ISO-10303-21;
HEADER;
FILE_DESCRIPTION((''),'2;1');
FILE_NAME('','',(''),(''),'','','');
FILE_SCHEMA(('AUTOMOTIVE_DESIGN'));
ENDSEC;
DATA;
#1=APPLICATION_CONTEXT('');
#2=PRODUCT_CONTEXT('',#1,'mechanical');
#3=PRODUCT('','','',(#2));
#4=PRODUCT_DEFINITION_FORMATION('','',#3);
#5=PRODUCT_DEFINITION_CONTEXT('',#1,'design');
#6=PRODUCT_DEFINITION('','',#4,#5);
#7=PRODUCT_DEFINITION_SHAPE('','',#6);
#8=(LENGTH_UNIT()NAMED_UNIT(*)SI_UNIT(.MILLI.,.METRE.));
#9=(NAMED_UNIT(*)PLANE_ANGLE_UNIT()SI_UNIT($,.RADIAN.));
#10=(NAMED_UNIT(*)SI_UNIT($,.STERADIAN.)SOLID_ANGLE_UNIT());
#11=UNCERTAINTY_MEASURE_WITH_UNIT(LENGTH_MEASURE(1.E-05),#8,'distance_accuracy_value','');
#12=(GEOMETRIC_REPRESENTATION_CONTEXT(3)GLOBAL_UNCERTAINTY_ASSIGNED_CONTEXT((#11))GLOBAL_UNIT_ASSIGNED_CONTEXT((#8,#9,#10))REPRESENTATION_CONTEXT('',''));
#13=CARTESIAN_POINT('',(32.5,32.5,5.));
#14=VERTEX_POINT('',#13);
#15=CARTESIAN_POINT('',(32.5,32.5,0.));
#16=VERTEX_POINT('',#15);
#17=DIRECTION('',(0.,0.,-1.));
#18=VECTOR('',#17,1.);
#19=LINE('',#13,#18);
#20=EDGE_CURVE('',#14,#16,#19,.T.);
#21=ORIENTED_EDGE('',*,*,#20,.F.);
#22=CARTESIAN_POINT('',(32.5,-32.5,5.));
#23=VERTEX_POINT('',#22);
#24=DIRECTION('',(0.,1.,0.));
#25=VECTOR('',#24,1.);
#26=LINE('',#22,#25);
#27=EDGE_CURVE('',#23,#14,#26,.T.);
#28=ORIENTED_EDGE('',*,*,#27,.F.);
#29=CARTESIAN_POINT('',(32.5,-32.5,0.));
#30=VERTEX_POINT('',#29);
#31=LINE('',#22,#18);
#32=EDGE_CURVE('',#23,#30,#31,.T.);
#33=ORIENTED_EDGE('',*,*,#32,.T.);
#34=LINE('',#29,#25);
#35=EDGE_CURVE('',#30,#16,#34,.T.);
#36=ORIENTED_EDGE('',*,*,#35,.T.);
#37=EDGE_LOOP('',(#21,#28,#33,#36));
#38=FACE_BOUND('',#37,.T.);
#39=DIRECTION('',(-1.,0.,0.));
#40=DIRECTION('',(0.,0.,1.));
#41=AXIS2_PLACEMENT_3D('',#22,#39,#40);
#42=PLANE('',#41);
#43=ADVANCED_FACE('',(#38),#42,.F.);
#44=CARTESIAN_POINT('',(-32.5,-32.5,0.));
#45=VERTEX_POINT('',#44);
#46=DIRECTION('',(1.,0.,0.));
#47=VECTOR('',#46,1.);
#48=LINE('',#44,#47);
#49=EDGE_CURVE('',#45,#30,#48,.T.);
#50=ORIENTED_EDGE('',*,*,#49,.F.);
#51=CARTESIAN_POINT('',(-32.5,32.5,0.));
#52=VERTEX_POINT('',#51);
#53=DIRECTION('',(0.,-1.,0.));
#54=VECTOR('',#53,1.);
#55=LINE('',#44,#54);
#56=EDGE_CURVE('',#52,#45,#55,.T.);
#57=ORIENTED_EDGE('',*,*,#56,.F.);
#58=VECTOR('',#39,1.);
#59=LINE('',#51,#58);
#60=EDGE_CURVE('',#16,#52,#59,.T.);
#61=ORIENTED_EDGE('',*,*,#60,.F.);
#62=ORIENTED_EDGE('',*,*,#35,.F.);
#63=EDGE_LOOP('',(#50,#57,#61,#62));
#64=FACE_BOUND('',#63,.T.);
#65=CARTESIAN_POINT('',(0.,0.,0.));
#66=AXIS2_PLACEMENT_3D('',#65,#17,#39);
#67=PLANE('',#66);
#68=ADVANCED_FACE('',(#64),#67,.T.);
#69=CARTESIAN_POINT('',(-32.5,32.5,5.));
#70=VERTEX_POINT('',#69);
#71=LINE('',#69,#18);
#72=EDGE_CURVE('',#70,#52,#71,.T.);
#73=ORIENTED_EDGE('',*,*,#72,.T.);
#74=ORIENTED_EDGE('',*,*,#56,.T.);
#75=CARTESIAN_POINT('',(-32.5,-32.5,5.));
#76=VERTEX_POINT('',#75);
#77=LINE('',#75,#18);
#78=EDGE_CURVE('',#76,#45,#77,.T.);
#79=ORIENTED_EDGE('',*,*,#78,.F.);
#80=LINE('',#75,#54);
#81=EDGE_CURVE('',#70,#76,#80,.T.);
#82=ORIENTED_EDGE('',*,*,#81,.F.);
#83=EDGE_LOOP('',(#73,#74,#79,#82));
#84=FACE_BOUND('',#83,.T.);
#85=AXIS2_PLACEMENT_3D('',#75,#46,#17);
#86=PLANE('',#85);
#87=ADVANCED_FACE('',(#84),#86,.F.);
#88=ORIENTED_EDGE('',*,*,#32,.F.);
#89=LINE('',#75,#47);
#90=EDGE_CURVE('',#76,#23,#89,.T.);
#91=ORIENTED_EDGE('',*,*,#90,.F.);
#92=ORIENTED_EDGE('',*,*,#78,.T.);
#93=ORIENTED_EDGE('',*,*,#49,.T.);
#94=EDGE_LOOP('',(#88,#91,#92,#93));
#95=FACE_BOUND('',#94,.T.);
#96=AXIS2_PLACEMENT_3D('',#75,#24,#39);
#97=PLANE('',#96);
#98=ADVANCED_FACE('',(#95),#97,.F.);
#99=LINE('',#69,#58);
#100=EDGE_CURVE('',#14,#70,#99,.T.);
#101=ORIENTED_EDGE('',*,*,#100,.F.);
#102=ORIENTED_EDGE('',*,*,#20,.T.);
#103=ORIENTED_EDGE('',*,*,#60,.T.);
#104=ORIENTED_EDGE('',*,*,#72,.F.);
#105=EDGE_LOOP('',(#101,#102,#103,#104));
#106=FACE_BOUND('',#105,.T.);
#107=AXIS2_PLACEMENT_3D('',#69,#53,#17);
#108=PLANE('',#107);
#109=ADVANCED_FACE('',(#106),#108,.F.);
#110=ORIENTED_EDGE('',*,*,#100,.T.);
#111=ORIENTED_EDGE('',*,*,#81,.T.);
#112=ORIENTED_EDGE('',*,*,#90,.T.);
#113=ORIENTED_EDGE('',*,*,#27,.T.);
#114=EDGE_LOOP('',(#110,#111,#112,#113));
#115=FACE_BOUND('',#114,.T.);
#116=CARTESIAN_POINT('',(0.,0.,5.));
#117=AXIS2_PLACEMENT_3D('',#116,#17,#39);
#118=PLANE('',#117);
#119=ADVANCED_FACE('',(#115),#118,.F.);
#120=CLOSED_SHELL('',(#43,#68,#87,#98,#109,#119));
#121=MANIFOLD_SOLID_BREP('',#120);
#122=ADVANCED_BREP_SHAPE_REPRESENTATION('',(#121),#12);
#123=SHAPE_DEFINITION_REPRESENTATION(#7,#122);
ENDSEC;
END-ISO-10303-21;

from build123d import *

# Parameters (mm, degrees)
SKETCH_1_W      = 65
SKETCH_1_H      = 65
EXTRUDE_1_DEPTH = 5


with BuildPart() as part:
    # 草图1 → 凸台-拉伸1 (new body)
    with BuildSketch(Plane.XY):
        Rectangle(SKETCH_1_W, SKETCH_1_H)
    extrude(amount=EXTRUDE_1_DEPTH)


solid = part.part
